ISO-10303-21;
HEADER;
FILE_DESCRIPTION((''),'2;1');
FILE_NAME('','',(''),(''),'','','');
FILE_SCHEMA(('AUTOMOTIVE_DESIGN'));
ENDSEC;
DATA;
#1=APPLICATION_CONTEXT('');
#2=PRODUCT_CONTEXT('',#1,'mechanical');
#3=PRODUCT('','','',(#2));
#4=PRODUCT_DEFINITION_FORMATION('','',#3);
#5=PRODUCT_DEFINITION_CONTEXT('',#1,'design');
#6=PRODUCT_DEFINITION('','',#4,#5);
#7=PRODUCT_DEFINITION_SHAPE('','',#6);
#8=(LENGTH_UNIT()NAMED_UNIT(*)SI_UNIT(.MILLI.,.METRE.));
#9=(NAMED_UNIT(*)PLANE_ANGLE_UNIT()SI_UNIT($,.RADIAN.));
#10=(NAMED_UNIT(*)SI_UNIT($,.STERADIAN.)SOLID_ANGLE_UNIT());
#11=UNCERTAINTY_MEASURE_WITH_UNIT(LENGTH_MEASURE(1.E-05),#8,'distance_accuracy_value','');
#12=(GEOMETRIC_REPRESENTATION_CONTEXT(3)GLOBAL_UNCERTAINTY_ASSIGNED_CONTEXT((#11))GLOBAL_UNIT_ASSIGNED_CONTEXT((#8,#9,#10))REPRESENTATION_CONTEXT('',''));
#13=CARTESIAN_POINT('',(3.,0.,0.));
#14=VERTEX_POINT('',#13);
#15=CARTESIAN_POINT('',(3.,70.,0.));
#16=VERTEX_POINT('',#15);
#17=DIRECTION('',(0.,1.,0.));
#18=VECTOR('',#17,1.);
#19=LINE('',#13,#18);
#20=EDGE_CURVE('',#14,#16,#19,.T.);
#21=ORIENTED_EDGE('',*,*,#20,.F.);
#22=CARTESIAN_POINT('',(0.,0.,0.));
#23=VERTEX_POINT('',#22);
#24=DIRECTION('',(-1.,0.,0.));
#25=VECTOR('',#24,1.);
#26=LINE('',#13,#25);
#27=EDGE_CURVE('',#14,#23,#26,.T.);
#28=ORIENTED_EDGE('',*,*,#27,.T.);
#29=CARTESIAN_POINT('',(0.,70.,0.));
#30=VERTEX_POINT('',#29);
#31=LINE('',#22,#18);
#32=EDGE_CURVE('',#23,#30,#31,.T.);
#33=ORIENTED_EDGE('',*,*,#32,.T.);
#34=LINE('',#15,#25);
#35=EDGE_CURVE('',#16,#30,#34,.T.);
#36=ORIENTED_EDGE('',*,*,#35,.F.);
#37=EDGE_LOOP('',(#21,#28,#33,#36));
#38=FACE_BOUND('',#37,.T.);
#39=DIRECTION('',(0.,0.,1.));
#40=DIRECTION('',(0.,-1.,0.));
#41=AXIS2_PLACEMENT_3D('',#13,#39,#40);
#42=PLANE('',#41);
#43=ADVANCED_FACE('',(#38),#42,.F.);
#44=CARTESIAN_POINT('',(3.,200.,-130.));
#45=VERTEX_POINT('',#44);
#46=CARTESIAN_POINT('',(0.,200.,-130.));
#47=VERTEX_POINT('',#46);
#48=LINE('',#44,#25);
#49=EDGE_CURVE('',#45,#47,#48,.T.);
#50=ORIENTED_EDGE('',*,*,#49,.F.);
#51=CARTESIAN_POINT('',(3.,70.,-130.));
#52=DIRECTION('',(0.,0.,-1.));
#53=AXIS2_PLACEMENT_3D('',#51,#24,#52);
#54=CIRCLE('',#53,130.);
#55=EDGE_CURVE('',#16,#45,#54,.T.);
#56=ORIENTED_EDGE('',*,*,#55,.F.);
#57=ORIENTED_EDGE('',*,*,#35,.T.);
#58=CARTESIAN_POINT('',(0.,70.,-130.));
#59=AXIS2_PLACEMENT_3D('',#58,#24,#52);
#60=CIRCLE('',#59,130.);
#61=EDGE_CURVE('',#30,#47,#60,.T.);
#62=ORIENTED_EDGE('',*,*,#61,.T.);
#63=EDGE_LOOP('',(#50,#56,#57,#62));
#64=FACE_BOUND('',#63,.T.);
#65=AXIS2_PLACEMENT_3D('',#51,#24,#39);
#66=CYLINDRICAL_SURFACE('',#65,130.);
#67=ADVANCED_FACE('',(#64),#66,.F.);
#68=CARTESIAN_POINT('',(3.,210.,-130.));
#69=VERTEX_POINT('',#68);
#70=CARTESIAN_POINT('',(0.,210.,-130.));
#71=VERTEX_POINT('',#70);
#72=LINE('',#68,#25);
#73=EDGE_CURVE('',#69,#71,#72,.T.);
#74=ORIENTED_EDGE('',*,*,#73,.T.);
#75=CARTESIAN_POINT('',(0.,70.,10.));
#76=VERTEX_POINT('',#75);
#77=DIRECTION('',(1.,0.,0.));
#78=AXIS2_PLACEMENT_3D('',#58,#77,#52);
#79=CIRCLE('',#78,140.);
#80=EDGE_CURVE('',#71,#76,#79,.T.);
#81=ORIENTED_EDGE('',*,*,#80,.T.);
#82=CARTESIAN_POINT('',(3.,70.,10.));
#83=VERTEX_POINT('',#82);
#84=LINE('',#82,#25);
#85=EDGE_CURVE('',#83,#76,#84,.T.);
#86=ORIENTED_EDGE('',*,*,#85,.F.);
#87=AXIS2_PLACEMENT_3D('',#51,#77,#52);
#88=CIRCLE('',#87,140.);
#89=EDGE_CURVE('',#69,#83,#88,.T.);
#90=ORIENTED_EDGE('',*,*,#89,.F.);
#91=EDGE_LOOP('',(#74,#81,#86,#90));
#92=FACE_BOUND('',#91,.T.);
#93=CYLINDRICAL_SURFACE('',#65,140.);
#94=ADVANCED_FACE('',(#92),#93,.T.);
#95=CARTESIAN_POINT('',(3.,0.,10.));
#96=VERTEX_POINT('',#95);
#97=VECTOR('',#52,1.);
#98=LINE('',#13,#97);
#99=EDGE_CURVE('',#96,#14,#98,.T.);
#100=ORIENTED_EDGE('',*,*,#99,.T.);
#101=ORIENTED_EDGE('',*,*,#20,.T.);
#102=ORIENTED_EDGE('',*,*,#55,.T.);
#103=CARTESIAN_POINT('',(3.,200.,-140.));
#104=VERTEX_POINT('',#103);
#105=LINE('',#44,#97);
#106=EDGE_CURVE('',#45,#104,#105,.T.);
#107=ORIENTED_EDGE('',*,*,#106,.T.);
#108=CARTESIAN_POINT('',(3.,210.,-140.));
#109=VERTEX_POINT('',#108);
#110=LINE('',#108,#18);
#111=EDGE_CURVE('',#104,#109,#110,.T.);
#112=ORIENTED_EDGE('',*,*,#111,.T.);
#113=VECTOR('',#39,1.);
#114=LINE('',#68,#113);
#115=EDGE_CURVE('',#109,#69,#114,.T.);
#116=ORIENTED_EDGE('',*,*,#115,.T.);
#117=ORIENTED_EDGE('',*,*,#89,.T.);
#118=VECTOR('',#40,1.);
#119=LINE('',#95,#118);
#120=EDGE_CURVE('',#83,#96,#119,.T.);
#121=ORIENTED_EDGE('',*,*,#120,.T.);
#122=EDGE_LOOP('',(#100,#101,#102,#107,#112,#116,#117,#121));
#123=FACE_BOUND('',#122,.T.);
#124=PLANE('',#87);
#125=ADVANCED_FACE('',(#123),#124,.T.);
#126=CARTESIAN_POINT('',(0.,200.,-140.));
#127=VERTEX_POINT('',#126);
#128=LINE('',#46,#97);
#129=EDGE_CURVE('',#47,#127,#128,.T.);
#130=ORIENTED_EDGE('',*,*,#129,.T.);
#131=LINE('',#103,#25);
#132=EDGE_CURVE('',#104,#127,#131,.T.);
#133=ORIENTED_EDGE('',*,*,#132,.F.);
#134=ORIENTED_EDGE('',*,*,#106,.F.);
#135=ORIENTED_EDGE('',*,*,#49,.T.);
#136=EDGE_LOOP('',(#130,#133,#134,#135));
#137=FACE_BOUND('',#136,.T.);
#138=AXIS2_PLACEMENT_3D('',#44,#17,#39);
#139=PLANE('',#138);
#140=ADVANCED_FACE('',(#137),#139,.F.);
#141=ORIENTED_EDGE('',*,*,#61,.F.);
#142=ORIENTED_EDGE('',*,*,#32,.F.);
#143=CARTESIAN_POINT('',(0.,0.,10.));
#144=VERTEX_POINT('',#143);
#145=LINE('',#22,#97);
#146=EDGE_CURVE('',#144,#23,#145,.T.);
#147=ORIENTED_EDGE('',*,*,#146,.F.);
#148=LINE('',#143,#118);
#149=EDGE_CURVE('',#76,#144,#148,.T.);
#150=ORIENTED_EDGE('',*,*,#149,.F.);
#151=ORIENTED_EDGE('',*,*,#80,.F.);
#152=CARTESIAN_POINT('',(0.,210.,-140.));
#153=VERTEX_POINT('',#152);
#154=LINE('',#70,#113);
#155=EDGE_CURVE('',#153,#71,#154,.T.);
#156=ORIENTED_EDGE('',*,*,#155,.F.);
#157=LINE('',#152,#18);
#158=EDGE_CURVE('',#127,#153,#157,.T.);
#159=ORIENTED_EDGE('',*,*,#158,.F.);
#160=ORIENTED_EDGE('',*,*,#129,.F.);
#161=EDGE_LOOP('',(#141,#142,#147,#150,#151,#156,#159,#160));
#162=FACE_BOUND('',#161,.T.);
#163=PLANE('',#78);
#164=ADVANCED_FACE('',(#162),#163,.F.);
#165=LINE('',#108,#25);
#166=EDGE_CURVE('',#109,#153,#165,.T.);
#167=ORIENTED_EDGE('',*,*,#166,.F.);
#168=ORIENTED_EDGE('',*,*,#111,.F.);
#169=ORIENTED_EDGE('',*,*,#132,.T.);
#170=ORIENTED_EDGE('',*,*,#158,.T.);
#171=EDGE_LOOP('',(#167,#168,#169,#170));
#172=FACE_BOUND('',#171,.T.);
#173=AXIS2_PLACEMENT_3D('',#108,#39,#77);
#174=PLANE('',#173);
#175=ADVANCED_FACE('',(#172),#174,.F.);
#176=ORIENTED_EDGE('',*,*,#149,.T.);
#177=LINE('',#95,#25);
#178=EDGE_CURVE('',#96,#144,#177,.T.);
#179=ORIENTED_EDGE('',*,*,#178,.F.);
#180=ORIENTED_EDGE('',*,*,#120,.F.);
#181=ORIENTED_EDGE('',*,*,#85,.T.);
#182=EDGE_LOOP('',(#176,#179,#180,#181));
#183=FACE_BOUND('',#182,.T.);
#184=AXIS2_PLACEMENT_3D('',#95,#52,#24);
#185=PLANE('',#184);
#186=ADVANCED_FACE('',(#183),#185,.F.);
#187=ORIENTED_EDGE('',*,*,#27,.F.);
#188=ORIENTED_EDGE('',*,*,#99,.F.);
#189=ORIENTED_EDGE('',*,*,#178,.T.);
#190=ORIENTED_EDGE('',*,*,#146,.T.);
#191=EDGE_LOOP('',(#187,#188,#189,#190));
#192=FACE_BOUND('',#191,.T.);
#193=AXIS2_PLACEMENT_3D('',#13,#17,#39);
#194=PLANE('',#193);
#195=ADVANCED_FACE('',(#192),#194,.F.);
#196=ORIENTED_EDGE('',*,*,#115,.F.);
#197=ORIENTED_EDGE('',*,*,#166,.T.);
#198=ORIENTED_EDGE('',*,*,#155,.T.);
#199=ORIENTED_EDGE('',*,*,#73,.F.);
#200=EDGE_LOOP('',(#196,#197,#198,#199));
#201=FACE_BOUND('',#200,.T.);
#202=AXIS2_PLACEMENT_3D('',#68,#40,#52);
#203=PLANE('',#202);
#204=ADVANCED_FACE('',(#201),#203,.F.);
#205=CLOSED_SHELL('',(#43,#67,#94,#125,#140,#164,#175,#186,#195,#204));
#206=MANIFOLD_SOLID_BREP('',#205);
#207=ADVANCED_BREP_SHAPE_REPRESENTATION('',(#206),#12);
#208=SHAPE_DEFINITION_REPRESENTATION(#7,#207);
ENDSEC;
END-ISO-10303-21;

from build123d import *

# Parameters (mm, degrees)
BOSS_EXTRUDE1_DEPTH = 3


with BuildPart() as part:
    # Sketch2 → Boss-Extrude1 (new body)
    with BuildSketch(Plane(origin=(0, 0, 0), x_dir=(0, 0, -1), z_dir=(1, 0, 0))):
        with BuildLine():
            Line((-10, 0), (-10, 70))
            ThreePointArc((-10, 70), (31.005050634, 168.994949366), (130, 210))
            Line((130, 210), (140, 210))
            Line((140, 210), (140, 200))
            Line((140, 200), (130, 200))
            ThreePointArc((130, 200), (38.076118446, 161.923881554), (0, 70))
            Line((0, 70), (0, 0))
            Line((0, 0), (-10, 0))
        make_face()
    extrude(amount=BOSS_EXTRUDE1_DEPTH)


solid = part.part
